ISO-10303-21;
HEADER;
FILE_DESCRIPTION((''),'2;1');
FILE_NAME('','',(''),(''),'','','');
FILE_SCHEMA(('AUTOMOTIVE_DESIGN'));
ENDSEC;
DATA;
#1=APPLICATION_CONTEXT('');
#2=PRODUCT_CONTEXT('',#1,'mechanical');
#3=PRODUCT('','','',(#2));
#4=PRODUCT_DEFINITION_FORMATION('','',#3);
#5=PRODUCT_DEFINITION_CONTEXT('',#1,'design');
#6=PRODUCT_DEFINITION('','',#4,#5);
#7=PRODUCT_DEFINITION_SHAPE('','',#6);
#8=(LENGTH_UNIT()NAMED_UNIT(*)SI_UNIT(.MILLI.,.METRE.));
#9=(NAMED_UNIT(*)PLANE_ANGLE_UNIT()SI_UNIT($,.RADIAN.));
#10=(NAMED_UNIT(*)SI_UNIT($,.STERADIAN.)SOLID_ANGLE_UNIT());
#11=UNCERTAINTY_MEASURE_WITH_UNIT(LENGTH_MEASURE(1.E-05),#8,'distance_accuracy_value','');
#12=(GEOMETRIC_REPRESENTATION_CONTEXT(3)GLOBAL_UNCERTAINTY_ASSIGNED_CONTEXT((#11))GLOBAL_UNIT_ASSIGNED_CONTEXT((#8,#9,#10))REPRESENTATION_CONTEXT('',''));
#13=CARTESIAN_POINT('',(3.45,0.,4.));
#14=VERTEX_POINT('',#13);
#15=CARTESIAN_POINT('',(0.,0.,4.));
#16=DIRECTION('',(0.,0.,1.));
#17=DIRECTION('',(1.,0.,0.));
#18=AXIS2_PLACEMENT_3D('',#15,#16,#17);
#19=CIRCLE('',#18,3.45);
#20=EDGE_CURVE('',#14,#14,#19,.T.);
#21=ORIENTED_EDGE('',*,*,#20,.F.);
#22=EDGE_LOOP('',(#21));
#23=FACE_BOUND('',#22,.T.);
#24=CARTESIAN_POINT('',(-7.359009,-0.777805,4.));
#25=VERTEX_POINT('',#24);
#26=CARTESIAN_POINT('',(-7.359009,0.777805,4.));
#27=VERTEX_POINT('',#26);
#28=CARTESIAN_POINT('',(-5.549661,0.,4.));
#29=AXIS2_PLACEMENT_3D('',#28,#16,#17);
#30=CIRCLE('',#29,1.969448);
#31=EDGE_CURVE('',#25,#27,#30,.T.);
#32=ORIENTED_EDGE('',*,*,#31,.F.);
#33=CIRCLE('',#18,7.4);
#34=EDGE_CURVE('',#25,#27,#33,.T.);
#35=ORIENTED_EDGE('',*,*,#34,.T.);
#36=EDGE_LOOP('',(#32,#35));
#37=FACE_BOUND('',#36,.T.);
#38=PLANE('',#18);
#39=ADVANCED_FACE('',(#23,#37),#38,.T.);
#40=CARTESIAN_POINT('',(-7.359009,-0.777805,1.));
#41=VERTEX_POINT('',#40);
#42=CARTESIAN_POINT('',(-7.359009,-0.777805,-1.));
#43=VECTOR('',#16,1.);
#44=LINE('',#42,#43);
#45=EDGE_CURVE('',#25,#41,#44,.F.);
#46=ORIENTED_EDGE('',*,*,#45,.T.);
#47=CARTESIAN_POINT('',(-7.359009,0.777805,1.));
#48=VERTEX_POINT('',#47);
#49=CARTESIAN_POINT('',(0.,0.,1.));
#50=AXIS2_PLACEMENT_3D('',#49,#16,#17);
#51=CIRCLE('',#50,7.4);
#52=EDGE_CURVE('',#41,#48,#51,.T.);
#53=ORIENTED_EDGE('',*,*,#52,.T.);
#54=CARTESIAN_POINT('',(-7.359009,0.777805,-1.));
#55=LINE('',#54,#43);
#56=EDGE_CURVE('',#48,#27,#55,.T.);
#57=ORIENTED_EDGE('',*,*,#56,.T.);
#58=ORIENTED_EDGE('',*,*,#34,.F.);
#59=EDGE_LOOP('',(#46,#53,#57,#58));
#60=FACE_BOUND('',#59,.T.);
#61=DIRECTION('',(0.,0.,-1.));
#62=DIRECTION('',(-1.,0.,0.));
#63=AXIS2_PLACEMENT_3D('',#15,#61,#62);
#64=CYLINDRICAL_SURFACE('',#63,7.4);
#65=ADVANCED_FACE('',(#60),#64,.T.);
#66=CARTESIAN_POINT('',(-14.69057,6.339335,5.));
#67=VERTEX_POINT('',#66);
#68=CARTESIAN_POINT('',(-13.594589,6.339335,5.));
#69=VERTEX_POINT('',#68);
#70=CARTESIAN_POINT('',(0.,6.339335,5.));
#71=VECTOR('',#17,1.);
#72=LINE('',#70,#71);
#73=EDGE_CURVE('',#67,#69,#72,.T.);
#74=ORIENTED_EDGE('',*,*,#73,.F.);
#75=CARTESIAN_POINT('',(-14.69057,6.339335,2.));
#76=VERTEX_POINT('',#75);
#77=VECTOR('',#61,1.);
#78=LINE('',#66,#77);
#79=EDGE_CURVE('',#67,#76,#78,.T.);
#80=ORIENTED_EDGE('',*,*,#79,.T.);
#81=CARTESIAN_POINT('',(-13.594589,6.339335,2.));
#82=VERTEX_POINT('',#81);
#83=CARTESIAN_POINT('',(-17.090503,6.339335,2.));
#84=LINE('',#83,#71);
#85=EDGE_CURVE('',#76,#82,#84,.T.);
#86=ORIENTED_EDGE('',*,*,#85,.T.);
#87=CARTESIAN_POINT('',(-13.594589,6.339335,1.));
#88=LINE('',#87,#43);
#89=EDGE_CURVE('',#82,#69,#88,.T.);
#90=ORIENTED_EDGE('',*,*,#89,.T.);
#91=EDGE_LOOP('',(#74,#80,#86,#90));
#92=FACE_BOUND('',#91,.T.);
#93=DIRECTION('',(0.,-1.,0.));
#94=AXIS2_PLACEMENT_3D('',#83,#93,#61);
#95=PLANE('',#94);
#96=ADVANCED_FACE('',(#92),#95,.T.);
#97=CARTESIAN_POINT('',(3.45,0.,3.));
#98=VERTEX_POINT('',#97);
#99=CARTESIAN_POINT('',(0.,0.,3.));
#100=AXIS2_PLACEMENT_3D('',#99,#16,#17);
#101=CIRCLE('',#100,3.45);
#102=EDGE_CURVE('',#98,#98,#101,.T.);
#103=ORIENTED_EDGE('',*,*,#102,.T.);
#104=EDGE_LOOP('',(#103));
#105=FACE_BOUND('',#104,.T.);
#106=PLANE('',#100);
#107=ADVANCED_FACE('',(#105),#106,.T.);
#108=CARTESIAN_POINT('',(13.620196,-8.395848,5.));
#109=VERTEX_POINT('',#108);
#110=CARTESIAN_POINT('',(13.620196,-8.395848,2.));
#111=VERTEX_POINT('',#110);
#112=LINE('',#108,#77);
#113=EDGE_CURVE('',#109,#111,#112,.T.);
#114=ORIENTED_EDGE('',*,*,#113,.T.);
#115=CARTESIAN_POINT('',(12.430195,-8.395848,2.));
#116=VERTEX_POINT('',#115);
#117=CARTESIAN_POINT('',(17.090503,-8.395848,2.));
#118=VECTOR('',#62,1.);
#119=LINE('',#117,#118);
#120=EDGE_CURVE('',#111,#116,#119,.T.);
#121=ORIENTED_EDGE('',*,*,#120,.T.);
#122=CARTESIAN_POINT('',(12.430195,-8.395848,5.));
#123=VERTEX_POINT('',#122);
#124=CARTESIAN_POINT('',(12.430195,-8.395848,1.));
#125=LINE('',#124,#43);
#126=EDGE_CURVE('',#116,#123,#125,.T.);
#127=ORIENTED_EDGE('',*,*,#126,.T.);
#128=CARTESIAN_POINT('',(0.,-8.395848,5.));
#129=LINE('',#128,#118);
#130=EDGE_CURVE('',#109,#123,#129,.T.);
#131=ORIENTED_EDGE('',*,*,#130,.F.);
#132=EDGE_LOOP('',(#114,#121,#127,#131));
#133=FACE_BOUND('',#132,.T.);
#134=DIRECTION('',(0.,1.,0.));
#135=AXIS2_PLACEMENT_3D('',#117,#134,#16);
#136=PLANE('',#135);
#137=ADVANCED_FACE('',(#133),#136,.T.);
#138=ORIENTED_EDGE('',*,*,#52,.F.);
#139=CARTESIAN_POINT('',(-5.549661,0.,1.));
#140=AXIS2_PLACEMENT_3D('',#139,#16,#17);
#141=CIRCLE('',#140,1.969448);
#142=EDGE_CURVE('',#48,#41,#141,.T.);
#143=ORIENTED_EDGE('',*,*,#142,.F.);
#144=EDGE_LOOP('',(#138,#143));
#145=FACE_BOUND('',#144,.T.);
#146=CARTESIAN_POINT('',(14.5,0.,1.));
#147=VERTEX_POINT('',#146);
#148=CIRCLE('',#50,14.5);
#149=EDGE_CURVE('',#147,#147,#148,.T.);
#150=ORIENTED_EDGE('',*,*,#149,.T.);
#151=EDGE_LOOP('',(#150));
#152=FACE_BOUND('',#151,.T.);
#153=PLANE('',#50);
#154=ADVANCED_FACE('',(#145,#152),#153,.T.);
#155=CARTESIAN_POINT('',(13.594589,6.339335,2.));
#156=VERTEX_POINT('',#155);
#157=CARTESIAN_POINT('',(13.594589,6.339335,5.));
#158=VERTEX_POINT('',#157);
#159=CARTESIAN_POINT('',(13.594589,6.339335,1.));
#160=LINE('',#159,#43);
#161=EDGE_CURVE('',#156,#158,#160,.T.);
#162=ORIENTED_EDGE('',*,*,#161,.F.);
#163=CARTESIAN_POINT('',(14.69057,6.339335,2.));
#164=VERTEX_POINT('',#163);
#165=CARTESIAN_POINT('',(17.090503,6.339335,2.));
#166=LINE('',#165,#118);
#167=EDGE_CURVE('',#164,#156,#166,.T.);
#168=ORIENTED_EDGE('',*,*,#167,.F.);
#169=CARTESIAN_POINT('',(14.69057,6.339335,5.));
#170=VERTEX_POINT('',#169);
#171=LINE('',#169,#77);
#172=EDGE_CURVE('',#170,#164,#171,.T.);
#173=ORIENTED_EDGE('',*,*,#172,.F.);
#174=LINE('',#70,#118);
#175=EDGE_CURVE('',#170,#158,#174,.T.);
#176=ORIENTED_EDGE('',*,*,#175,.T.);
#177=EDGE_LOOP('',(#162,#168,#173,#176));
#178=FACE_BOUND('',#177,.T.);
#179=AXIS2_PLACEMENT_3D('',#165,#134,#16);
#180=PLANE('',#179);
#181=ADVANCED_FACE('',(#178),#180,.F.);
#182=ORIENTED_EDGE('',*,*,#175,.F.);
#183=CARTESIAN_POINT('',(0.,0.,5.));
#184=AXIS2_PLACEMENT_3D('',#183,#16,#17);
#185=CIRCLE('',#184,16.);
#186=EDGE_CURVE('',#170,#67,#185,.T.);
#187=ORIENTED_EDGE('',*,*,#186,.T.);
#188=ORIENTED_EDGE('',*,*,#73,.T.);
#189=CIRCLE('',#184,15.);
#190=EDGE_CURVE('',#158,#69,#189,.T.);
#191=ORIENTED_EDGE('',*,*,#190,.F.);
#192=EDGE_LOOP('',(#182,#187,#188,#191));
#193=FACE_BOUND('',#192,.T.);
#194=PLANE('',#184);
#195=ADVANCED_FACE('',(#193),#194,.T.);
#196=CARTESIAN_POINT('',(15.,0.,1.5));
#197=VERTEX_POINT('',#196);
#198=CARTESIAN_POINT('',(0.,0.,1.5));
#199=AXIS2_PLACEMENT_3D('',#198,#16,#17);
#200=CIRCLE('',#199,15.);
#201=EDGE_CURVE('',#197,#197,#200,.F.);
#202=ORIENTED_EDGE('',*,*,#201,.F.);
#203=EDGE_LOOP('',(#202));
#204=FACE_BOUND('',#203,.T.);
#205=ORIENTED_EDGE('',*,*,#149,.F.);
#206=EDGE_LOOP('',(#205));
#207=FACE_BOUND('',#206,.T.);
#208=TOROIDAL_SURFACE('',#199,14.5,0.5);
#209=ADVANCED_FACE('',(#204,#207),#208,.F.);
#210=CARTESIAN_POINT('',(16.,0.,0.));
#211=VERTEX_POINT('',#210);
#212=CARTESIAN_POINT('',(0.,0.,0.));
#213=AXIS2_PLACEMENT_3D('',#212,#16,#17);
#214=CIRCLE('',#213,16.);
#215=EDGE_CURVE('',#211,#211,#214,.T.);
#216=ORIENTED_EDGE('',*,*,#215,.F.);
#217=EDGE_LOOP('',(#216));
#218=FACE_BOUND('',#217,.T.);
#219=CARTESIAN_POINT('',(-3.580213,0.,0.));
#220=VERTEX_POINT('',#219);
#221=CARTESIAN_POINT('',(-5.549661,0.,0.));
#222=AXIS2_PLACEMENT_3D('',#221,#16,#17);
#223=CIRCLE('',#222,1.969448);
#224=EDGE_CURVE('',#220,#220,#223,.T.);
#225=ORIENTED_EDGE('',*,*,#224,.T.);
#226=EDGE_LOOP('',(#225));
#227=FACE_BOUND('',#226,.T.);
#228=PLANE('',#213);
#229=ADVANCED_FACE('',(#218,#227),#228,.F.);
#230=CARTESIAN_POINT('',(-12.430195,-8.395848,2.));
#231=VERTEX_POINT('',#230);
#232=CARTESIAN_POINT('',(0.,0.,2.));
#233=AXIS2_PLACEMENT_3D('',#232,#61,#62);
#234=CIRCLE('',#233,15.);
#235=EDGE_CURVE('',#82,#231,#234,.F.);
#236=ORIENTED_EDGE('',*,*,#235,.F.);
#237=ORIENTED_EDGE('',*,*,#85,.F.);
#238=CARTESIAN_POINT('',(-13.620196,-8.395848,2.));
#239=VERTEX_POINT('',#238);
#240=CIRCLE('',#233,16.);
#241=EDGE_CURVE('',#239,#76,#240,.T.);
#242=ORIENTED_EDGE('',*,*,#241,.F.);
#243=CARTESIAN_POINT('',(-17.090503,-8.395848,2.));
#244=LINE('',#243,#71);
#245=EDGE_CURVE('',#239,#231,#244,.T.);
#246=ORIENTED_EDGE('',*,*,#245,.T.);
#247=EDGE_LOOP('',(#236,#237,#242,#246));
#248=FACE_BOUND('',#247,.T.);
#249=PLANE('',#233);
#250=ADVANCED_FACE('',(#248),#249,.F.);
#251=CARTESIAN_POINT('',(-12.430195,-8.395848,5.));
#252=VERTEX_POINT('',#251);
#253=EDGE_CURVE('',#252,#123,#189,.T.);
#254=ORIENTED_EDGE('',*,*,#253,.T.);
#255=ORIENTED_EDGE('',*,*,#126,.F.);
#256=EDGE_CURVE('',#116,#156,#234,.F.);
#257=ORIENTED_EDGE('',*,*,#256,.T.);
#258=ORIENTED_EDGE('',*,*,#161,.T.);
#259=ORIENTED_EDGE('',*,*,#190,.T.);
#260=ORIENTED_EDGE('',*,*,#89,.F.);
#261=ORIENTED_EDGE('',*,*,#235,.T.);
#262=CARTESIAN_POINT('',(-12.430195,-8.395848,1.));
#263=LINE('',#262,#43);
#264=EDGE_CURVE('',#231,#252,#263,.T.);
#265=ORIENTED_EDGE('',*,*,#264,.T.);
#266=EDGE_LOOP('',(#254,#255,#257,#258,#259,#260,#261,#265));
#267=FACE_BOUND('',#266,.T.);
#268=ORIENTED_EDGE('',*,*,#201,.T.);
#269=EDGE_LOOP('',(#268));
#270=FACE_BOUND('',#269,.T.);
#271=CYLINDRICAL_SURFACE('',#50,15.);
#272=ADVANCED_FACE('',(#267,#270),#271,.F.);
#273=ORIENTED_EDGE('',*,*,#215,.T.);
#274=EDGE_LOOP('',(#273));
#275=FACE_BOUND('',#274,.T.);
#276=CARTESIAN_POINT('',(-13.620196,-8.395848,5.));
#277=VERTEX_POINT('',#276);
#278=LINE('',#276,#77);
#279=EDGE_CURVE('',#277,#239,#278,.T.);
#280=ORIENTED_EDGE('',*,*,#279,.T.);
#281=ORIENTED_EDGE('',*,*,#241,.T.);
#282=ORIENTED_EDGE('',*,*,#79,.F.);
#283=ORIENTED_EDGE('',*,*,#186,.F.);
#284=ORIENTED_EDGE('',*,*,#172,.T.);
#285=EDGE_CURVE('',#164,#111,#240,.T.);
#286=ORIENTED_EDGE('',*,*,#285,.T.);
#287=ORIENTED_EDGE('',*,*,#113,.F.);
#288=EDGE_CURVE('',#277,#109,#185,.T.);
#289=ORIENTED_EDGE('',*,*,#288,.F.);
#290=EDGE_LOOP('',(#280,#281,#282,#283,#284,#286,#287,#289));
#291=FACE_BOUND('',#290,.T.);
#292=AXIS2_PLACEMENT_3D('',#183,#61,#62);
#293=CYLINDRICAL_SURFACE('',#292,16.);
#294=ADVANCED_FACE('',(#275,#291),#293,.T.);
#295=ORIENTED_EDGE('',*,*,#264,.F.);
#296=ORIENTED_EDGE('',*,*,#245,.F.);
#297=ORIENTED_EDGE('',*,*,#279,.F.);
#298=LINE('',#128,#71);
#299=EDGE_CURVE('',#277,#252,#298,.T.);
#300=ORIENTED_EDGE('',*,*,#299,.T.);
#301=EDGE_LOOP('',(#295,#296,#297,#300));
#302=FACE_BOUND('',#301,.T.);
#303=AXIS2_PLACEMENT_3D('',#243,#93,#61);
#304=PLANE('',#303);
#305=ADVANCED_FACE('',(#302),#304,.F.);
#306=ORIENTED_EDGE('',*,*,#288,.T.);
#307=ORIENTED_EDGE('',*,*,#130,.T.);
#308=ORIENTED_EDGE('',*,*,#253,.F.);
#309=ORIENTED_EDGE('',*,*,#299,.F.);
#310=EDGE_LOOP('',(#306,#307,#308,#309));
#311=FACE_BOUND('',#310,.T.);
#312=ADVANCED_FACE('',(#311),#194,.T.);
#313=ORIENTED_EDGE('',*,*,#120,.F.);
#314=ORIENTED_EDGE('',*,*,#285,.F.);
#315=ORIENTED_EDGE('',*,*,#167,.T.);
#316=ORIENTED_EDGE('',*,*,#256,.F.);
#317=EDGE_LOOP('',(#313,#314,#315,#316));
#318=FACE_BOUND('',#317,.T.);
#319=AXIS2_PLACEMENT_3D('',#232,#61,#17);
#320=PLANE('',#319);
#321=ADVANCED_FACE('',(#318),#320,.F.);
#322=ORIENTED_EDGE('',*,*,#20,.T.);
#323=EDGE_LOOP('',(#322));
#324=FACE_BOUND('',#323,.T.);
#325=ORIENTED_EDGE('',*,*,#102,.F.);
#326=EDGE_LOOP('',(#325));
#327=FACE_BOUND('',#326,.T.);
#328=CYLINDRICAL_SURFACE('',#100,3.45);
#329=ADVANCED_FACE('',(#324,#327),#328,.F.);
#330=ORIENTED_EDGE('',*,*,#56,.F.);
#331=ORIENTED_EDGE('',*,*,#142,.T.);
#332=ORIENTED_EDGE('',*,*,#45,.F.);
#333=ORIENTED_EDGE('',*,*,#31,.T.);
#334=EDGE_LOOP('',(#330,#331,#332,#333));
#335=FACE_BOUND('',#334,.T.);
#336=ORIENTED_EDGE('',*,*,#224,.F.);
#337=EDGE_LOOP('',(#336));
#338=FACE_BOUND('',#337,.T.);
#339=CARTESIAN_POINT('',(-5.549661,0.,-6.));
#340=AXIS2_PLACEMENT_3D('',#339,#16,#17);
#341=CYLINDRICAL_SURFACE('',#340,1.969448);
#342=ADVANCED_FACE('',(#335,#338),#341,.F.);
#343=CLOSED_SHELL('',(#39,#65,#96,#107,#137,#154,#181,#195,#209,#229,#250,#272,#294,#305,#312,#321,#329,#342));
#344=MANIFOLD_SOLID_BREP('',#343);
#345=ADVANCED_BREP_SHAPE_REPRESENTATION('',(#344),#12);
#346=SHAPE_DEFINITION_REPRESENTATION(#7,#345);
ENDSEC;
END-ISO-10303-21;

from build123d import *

# Parameters (mm, degrees)
SKETCH1_R           = 16
BOSS_EXTRUDE1_DEPTH = 5
SKETCH3_R           = 15
CUT_EXTRUDE1_DEPTH  = 4
FILLET1_R           = 0.5
SKETCH7_W           = 5.268501054
SKETCH7_H           = 14.735182388
CUT_EXTRUDE2_DEPTH  = 11
SKETCH8_R           = 7.4
BOSS_EXTRUDE2_DEPTH = 3
SKETCH9_R           = 3.45
CUT_EXTRUDE3_DEPTH  = 1
SKETCH11_R          = 1.969447503
CUT_EXTRUDE4_DEPTH  = 10


with BuildPart() as part:
    # Sketch1 → Boss-Extrude1 (new body)
    with BuildSketch(Plane.XY):
        Circle(SKETCH1_R)
    extrude(amount=BOSS_EXTRUDE1_DEPTH)

    # Sketch3 → Cut-Extrude1 (cut)
    with BuildSketch(Plane.XY.offset(5)):
        Circle(SKETCH3_R)
    extrude(amount=-CUT_EXTRUDE1_DEPTH, mode=Mode.SUBTRACT)

    # Fillet1
    fillet1_edges = [part.edges().sort_by_distance(p)[0] for p in [
        (-15, 0, 1),
    ]]
    fillet(fillet1_edges, radius=FILLET1_R)

    # Sketch7 → Cut-Extrude2 (cut)
    with BuildSketch(Plane.XY.offset(13)):
        with Locations((-14.456252894, -1.028256592)):
            Rectangle(SKETCH7_W, SKETCH7_H)
    cut_extrude2 = extrude(amount=-CUT_EXTRUDE2_DEPTH, mode=Mode.SUBTRACT)

    # Mirror1: Cut-Extrude2 across plane
    add(cut_extrude2.mirror(Plane(origin=(0, 0, 0), x_dir=(0, 0, 1), z_dir=(1, 0, 0))), mode=Mode.SUBTRACT)

    # Sketch8 → Boss-Extrude2 (add)
    with BuildSketch(Plane.XY.offset(1)):
        Circle(SKETCH8_R)
    extrude(amount=BOSS_EXTRUDE2_DEPTH)

    # Sketch9 → Cut-Extrude3 (cut)
    with BuildSketch(Plane.XY.offset(4)):
        Circle(SKETCH9_R)
    extrude(amount=-CUT_EXTRUDE3_DEPTH, mode=Mode.SUBTRACT)

    # Sketch11 → Cut-Extrude4 (cut)
    with BuildSketch(Plane.XY.offset(4)):
        with Locations((-5.549660814, 0)):
            Circle(SKETCH11_R)
    extrude(amount=-CUT_EXTRUDE4_DEPTH, mode=Mode.SUBTRACT)


solid = part.part
